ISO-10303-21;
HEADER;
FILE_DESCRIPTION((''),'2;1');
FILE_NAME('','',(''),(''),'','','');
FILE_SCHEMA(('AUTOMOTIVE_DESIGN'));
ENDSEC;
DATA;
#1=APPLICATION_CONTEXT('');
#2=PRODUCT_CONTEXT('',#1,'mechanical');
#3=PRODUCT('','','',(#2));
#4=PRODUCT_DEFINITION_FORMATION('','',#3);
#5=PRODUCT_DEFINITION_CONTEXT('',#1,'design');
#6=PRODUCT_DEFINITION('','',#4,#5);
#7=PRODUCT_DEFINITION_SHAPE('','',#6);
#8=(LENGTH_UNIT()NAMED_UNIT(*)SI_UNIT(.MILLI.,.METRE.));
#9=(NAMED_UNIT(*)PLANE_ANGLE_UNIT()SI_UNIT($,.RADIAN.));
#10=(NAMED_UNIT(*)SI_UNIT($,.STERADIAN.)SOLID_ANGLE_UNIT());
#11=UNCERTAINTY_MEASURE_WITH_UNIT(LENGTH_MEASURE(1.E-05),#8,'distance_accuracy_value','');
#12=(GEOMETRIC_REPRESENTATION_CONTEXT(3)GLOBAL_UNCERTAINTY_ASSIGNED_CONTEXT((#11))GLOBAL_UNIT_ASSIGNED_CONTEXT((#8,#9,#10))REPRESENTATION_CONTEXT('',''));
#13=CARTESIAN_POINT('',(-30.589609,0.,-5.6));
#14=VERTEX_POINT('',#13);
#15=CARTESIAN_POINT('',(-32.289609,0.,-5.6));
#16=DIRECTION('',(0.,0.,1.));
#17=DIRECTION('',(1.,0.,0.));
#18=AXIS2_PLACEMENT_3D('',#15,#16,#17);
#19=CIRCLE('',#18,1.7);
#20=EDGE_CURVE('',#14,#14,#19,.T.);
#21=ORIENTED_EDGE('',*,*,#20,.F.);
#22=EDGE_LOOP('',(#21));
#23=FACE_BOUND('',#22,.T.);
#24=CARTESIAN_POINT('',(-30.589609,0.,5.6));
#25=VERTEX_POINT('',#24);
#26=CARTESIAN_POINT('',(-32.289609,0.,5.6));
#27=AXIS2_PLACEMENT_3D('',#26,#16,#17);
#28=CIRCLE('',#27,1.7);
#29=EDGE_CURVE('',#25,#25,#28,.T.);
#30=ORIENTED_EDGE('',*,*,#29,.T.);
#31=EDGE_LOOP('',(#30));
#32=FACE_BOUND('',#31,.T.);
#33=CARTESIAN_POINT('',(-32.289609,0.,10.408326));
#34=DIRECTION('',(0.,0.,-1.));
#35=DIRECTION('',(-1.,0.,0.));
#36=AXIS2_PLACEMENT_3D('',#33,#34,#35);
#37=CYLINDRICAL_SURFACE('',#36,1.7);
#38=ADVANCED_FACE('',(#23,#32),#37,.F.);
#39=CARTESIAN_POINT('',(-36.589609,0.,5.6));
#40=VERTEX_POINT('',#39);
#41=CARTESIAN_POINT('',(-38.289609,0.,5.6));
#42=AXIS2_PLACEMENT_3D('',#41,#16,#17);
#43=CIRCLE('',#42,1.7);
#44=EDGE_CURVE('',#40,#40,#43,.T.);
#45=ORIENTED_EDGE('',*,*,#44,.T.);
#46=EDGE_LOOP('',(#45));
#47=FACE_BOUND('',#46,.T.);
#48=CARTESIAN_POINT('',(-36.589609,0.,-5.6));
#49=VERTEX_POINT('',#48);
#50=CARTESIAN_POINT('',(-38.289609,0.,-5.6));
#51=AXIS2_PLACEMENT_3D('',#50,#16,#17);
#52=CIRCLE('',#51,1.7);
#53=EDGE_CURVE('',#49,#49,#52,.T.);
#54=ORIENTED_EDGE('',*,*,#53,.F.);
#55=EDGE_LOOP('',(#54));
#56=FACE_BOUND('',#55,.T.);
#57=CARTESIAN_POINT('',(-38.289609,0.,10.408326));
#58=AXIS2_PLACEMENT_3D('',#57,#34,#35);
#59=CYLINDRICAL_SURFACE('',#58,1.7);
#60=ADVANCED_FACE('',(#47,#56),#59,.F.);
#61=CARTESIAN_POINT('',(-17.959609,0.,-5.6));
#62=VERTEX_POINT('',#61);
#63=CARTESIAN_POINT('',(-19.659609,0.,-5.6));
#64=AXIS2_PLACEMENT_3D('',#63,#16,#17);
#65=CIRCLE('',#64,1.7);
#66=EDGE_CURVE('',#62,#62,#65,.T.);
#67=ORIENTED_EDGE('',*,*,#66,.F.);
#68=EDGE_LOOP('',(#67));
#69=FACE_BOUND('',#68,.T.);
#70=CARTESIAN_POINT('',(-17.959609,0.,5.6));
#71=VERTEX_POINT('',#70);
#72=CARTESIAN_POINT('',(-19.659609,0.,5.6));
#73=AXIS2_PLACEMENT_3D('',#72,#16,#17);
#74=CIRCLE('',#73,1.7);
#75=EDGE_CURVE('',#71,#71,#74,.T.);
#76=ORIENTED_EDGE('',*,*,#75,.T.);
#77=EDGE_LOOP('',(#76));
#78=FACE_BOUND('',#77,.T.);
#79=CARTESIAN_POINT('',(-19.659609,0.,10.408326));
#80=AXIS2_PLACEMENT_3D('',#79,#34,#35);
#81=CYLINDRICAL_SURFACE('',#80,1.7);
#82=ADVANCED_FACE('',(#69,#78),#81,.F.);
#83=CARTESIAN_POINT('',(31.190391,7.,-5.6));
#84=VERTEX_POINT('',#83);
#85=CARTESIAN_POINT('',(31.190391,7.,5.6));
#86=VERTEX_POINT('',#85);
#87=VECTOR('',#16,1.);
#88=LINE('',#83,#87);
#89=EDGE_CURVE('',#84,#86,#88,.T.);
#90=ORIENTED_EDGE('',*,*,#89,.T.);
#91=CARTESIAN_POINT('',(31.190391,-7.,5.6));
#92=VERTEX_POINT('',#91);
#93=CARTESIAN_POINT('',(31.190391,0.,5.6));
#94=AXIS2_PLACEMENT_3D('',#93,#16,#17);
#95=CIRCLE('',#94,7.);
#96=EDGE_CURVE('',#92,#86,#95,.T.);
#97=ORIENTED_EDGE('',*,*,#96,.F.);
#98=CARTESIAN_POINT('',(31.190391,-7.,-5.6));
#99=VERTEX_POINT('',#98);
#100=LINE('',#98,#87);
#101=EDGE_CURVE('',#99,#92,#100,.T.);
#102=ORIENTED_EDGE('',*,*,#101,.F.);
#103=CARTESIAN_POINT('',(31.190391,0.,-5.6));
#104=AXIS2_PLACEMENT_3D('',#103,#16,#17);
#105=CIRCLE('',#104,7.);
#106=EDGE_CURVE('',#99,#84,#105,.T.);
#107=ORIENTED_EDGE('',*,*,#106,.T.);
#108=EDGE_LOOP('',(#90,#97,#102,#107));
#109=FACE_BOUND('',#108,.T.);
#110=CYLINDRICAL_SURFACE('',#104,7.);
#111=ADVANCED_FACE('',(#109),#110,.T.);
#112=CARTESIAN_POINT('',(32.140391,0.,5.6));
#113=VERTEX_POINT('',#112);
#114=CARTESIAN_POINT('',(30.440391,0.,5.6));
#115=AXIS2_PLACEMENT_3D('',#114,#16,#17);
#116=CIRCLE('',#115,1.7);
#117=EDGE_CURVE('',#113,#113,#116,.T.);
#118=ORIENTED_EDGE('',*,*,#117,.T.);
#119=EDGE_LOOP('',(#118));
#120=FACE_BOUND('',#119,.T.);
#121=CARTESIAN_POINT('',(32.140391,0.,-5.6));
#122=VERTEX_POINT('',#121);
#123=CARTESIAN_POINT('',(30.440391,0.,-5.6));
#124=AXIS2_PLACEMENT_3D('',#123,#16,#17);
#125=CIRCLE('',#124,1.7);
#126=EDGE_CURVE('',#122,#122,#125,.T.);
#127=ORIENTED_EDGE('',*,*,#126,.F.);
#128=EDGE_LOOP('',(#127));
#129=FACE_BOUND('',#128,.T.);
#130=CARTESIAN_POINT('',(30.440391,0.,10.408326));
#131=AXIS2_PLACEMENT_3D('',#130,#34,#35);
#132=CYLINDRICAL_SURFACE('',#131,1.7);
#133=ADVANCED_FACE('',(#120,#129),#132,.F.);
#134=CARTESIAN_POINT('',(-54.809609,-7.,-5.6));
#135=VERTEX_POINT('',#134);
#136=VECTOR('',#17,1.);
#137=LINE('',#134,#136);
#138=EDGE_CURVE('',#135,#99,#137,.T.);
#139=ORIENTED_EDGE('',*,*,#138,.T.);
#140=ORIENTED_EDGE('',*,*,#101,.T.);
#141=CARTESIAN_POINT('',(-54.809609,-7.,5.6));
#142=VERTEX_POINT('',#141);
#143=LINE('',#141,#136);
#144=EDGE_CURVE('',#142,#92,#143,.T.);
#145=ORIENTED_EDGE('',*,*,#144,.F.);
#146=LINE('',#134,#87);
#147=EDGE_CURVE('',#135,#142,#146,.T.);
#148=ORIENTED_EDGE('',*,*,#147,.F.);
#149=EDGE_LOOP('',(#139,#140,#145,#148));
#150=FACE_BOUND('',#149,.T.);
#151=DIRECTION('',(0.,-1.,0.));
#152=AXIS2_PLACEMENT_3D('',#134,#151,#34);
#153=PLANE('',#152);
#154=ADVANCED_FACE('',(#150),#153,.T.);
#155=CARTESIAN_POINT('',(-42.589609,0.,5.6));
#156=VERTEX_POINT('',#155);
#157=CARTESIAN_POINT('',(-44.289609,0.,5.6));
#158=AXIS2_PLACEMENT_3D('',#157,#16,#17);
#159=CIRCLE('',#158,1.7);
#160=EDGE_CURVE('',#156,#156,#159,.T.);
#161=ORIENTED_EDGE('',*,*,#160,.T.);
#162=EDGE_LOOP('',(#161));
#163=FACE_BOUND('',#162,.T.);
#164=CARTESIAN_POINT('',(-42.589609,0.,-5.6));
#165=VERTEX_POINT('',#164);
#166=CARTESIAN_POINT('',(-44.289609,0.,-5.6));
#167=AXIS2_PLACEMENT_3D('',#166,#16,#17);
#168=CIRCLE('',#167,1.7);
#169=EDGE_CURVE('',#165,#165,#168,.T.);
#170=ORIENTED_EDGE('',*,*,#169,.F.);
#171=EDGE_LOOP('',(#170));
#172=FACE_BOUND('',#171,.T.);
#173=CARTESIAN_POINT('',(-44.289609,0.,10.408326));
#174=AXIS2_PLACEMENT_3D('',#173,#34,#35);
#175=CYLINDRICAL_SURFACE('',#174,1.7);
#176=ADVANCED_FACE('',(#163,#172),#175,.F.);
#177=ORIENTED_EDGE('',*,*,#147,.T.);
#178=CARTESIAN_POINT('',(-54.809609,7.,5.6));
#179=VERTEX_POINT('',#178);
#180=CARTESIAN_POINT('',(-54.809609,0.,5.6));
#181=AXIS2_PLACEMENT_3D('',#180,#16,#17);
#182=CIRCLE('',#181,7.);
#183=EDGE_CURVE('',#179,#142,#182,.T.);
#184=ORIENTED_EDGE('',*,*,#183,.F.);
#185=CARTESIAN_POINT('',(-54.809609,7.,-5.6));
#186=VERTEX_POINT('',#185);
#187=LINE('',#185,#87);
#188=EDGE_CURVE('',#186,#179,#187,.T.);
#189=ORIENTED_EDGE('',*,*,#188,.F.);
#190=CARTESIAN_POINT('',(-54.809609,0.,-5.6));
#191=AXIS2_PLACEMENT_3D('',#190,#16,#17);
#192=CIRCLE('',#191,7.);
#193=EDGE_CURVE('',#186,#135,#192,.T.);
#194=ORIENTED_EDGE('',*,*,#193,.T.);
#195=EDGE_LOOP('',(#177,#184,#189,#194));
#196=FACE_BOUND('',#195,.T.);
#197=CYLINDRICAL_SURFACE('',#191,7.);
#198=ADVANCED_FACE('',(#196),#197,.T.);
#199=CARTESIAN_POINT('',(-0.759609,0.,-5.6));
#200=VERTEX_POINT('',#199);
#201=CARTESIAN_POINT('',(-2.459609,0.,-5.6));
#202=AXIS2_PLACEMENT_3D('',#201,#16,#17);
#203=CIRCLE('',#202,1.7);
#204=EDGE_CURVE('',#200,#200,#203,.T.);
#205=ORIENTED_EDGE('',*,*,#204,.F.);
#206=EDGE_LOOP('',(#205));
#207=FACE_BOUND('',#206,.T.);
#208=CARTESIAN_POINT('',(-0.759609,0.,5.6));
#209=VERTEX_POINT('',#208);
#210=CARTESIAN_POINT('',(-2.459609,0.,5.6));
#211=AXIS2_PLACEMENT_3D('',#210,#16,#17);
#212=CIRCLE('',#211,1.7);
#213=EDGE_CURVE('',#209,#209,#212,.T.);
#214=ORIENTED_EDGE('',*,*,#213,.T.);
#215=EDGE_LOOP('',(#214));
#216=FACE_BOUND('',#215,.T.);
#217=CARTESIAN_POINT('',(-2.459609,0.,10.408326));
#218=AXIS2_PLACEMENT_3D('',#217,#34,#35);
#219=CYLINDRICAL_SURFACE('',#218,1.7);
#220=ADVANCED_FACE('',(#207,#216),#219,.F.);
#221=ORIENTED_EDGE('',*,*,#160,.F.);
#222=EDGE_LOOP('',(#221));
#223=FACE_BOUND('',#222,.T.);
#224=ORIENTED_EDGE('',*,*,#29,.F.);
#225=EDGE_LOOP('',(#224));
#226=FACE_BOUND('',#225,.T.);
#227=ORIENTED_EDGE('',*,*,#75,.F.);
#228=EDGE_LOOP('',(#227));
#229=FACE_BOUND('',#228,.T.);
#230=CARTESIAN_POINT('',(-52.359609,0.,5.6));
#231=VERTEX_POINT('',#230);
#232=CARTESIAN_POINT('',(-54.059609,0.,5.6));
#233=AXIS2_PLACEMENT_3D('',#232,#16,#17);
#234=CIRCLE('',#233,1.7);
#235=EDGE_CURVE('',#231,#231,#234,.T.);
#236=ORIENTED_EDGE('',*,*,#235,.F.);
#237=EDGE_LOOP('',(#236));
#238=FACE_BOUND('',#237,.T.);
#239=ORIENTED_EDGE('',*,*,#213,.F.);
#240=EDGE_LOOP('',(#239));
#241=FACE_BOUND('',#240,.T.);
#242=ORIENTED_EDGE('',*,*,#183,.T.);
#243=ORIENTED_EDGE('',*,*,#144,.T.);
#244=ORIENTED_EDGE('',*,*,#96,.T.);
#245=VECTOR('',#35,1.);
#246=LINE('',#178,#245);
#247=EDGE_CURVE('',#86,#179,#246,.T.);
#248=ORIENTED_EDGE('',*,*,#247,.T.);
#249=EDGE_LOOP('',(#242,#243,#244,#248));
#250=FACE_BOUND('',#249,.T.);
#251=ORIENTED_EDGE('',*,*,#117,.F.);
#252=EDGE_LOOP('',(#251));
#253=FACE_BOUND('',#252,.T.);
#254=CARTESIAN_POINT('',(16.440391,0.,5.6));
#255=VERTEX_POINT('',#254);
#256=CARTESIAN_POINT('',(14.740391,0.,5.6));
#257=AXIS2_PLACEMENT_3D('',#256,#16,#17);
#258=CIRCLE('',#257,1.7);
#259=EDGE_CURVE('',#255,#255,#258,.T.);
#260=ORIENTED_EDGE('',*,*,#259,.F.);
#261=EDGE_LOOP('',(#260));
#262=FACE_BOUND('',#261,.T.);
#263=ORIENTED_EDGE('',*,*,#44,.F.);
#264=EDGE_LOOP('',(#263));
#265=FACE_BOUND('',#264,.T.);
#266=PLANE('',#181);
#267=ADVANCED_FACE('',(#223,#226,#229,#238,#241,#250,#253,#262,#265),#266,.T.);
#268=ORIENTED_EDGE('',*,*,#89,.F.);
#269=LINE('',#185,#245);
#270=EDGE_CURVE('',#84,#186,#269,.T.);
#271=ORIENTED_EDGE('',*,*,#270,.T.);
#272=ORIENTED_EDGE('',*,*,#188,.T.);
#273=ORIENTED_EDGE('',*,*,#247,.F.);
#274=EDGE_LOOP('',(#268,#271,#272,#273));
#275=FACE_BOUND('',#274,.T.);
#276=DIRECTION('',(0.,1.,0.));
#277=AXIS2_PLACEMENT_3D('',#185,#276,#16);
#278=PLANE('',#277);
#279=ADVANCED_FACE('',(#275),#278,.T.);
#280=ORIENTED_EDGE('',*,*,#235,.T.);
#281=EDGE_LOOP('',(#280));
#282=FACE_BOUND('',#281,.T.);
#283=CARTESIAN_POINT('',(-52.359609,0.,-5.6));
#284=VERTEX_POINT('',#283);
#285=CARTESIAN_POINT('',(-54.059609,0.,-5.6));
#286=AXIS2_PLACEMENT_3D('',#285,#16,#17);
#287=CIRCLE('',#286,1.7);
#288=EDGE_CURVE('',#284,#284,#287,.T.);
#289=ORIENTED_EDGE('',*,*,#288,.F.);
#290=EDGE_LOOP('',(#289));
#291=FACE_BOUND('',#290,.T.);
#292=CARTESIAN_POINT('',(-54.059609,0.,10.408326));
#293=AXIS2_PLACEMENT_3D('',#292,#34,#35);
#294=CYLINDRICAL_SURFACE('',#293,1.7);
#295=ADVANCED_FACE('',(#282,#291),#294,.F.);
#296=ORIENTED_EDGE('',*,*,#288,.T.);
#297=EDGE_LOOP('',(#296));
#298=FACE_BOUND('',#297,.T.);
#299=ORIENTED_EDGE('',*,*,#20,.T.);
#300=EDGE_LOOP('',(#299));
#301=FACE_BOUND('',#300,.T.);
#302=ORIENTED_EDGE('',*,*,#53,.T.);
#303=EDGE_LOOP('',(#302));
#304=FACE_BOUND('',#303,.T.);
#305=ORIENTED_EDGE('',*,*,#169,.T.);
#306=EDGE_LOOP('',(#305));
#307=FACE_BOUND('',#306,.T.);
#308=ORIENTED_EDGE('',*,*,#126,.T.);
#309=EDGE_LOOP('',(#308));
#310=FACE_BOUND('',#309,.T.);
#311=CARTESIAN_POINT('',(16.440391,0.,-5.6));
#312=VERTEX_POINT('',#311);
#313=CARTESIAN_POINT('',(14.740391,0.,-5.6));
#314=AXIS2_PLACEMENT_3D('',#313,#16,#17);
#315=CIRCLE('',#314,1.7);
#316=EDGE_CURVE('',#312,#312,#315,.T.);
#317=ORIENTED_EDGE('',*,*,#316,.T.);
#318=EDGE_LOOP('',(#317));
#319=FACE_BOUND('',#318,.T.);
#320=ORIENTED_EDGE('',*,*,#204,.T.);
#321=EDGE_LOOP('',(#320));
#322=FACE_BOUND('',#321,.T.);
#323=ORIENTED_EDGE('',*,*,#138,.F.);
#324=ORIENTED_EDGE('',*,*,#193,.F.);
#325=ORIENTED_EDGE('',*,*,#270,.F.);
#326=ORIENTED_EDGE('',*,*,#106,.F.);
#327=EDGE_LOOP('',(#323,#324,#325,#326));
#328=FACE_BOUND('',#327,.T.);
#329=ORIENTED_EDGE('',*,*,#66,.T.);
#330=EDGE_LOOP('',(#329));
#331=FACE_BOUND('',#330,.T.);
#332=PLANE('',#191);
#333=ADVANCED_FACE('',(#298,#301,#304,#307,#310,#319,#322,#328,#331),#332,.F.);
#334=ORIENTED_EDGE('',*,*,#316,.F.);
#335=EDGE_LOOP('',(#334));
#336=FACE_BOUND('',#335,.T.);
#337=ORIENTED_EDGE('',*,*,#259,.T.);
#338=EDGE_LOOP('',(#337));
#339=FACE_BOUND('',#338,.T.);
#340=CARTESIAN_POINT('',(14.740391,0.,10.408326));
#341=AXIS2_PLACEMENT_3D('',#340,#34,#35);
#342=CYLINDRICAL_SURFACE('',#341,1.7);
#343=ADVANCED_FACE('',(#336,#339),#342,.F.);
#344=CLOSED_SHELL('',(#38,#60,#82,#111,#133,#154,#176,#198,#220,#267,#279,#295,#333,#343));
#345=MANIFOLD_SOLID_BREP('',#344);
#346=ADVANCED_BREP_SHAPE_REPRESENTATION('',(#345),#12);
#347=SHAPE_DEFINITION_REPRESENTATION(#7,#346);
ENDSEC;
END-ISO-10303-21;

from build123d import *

# Parameters (mm, degrees)
BOSS_EXTRUDE1_DEPTH      = 2.8
BOSS_EXTRUDE1_DEPTH_BACK = 2.8
ECHELLE1_SCALE           = 2
SKETCH2_R                = 1.7
CUT_EXTRUDE6_DEPTH       = 11.2


with BuildPart() as part:
    # Sketch1 → Boss-Extrude1 (new, two sides: drawn at the far end of the back side and taken through both)
    with BuildSketch(Plane.XY.offset(-BOSS_EXTRUDE1_DEPTH_BACK)):
        with BuildLine():
            Line((-33.309608541, 3.5), (9.690391459, 3.5))
            ThreePointArc((9.690391459, 3.5), (13.190391459, 0), (9.690391459, -3.5))
            Line((9.690391459, -3.5), (-33.309608541, -3.5))
            ThreePointArc((-33.309608541, -3.5), (-36.809608541, 0), (-33.309608541, 3.5))
        make_face()
    extrude(amount=BOSS_EXTRUDE1_DEPTH + BOSS_EXTRUDE1_DEPTH_BACK)


with BuildPart() as part_1:
    # Echelle1: scaled about (-11.809608541, 0, 0)
    add(part.part.scale(ECHELLE1_SCALE).moved(Location((11.809608541, 0, 0))))

    # Sketch2 → Cut-Extrude6 (cut)
    with BuildSketch(Plane.XY.offset(-5.6)):
        with Locations((-38.289608541, 0)):
            Circle(SKETCH2_R)
        with Locations((-54.059608541, 0)):
            Circle(SKETCH2_R)
        with Locations((-19.659608541, 0)):
            Circle(SKETCH2_R)
        with Locations((-2.459608541, 0)):
            Circle(SKETCH2_R)
        with Locations((14.740391459, 0)):
            Circle(SKETCH2_R)
        with Locations((-44.289608541, 0)):
            Circle(SKETCH2_R)
        with Locations((-32.289608541, 0)):
            Circle(SKETCH2_R)
        with Locations((30.440391459, 0)):
            Circle(SKETCH2_R)
    extrude(amount=CUT_EXTRUDE6_DEPTH, mode=Mode.SUBTRACT)


solid = part_1.part
